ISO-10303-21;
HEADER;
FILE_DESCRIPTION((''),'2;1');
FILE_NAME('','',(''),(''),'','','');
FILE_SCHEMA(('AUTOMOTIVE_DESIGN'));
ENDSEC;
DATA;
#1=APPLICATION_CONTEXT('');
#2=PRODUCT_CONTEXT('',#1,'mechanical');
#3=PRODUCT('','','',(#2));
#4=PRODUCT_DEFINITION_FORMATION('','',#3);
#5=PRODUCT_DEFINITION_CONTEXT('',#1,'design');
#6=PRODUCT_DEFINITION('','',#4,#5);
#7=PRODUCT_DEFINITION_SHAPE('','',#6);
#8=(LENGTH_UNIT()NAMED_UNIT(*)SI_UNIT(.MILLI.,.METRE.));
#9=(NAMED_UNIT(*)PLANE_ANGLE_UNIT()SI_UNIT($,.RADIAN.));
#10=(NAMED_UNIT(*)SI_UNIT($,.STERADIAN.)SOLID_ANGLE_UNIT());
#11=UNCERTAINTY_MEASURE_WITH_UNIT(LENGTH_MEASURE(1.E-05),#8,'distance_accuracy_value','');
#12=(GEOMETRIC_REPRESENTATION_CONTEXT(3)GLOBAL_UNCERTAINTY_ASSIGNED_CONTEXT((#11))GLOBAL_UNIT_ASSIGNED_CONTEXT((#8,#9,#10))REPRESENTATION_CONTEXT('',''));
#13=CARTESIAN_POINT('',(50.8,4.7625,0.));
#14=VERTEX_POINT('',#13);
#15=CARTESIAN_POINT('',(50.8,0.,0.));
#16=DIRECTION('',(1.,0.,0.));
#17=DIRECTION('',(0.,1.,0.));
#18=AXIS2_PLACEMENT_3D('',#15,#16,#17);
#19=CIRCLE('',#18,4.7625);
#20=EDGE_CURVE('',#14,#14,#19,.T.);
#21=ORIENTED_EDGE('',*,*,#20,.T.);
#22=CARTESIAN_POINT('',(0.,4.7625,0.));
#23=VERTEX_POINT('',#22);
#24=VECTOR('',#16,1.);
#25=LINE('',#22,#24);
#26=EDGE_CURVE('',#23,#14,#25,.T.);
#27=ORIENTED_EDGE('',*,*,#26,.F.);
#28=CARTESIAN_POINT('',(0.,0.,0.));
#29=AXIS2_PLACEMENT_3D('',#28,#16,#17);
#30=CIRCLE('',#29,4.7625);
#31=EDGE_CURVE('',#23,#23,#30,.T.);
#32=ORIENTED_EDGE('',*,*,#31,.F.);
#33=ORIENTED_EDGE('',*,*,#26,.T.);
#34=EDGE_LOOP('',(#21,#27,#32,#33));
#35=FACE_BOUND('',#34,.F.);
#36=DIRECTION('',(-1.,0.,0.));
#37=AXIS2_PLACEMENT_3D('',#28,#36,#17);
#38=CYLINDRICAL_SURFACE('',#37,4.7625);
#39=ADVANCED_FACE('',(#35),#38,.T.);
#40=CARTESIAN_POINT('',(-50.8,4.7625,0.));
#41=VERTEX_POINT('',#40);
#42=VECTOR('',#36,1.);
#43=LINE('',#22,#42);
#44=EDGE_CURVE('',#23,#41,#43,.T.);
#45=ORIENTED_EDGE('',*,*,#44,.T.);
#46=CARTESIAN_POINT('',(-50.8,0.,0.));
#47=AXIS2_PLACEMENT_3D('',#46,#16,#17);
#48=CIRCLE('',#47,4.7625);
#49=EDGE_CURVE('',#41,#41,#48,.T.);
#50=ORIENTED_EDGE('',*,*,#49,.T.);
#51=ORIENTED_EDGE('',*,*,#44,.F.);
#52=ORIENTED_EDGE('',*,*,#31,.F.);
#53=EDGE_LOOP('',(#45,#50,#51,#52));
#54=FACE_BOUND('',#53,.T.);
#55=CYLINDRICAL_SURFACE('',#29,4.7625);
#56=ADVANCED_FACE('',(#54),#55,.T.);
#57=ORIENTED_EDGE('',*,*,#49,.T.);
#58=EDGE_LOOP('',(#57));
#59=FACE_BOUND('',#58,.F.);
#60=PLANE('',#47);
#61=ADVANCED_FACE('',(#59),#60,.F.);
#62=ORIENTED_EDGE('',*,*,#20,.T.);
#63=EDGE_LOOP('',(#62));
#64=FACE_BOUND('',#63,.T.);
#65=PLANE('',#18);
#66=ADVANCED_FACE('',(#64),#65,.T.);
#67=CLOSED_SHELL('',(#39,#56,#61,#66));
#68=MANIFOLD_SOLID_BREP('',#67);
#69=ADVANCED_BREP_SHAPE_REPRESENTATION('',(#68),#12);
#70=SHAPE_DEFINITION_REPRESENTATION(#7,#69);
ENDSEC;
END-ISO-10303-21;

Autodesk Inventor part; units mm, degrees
ref_plane "YZ Plane" through (0, 0, 0) normal (1, 0, 0) x (0, 1, 0)
ref_plane "XZ Plane" through (0, 0, 0) normal (0, 1, 0) x (-1, 0, 0)
ref_plane "XY Plane" through (0, 0, 0) normal (0, 0, 1) x (1, 0, 0)
sketch "Sketch1" plane through (0, 0, 0) normal (1, 0, 0) x (0, 1, 0)
  circle A0 centre (0, 0) radius 4.7625
  dimension "d0" = 9.525
extrude "Extrusion1" add sketch "Sketch1" along normal mid plane 101.6
equation "\"d0\" = diam"
equation "\"d1\" = length"
equation "\"diam\" = 9.525"
equation "\"length\" = 101.6"
properties part number "InnerTubeStopPost" material "Steel"
